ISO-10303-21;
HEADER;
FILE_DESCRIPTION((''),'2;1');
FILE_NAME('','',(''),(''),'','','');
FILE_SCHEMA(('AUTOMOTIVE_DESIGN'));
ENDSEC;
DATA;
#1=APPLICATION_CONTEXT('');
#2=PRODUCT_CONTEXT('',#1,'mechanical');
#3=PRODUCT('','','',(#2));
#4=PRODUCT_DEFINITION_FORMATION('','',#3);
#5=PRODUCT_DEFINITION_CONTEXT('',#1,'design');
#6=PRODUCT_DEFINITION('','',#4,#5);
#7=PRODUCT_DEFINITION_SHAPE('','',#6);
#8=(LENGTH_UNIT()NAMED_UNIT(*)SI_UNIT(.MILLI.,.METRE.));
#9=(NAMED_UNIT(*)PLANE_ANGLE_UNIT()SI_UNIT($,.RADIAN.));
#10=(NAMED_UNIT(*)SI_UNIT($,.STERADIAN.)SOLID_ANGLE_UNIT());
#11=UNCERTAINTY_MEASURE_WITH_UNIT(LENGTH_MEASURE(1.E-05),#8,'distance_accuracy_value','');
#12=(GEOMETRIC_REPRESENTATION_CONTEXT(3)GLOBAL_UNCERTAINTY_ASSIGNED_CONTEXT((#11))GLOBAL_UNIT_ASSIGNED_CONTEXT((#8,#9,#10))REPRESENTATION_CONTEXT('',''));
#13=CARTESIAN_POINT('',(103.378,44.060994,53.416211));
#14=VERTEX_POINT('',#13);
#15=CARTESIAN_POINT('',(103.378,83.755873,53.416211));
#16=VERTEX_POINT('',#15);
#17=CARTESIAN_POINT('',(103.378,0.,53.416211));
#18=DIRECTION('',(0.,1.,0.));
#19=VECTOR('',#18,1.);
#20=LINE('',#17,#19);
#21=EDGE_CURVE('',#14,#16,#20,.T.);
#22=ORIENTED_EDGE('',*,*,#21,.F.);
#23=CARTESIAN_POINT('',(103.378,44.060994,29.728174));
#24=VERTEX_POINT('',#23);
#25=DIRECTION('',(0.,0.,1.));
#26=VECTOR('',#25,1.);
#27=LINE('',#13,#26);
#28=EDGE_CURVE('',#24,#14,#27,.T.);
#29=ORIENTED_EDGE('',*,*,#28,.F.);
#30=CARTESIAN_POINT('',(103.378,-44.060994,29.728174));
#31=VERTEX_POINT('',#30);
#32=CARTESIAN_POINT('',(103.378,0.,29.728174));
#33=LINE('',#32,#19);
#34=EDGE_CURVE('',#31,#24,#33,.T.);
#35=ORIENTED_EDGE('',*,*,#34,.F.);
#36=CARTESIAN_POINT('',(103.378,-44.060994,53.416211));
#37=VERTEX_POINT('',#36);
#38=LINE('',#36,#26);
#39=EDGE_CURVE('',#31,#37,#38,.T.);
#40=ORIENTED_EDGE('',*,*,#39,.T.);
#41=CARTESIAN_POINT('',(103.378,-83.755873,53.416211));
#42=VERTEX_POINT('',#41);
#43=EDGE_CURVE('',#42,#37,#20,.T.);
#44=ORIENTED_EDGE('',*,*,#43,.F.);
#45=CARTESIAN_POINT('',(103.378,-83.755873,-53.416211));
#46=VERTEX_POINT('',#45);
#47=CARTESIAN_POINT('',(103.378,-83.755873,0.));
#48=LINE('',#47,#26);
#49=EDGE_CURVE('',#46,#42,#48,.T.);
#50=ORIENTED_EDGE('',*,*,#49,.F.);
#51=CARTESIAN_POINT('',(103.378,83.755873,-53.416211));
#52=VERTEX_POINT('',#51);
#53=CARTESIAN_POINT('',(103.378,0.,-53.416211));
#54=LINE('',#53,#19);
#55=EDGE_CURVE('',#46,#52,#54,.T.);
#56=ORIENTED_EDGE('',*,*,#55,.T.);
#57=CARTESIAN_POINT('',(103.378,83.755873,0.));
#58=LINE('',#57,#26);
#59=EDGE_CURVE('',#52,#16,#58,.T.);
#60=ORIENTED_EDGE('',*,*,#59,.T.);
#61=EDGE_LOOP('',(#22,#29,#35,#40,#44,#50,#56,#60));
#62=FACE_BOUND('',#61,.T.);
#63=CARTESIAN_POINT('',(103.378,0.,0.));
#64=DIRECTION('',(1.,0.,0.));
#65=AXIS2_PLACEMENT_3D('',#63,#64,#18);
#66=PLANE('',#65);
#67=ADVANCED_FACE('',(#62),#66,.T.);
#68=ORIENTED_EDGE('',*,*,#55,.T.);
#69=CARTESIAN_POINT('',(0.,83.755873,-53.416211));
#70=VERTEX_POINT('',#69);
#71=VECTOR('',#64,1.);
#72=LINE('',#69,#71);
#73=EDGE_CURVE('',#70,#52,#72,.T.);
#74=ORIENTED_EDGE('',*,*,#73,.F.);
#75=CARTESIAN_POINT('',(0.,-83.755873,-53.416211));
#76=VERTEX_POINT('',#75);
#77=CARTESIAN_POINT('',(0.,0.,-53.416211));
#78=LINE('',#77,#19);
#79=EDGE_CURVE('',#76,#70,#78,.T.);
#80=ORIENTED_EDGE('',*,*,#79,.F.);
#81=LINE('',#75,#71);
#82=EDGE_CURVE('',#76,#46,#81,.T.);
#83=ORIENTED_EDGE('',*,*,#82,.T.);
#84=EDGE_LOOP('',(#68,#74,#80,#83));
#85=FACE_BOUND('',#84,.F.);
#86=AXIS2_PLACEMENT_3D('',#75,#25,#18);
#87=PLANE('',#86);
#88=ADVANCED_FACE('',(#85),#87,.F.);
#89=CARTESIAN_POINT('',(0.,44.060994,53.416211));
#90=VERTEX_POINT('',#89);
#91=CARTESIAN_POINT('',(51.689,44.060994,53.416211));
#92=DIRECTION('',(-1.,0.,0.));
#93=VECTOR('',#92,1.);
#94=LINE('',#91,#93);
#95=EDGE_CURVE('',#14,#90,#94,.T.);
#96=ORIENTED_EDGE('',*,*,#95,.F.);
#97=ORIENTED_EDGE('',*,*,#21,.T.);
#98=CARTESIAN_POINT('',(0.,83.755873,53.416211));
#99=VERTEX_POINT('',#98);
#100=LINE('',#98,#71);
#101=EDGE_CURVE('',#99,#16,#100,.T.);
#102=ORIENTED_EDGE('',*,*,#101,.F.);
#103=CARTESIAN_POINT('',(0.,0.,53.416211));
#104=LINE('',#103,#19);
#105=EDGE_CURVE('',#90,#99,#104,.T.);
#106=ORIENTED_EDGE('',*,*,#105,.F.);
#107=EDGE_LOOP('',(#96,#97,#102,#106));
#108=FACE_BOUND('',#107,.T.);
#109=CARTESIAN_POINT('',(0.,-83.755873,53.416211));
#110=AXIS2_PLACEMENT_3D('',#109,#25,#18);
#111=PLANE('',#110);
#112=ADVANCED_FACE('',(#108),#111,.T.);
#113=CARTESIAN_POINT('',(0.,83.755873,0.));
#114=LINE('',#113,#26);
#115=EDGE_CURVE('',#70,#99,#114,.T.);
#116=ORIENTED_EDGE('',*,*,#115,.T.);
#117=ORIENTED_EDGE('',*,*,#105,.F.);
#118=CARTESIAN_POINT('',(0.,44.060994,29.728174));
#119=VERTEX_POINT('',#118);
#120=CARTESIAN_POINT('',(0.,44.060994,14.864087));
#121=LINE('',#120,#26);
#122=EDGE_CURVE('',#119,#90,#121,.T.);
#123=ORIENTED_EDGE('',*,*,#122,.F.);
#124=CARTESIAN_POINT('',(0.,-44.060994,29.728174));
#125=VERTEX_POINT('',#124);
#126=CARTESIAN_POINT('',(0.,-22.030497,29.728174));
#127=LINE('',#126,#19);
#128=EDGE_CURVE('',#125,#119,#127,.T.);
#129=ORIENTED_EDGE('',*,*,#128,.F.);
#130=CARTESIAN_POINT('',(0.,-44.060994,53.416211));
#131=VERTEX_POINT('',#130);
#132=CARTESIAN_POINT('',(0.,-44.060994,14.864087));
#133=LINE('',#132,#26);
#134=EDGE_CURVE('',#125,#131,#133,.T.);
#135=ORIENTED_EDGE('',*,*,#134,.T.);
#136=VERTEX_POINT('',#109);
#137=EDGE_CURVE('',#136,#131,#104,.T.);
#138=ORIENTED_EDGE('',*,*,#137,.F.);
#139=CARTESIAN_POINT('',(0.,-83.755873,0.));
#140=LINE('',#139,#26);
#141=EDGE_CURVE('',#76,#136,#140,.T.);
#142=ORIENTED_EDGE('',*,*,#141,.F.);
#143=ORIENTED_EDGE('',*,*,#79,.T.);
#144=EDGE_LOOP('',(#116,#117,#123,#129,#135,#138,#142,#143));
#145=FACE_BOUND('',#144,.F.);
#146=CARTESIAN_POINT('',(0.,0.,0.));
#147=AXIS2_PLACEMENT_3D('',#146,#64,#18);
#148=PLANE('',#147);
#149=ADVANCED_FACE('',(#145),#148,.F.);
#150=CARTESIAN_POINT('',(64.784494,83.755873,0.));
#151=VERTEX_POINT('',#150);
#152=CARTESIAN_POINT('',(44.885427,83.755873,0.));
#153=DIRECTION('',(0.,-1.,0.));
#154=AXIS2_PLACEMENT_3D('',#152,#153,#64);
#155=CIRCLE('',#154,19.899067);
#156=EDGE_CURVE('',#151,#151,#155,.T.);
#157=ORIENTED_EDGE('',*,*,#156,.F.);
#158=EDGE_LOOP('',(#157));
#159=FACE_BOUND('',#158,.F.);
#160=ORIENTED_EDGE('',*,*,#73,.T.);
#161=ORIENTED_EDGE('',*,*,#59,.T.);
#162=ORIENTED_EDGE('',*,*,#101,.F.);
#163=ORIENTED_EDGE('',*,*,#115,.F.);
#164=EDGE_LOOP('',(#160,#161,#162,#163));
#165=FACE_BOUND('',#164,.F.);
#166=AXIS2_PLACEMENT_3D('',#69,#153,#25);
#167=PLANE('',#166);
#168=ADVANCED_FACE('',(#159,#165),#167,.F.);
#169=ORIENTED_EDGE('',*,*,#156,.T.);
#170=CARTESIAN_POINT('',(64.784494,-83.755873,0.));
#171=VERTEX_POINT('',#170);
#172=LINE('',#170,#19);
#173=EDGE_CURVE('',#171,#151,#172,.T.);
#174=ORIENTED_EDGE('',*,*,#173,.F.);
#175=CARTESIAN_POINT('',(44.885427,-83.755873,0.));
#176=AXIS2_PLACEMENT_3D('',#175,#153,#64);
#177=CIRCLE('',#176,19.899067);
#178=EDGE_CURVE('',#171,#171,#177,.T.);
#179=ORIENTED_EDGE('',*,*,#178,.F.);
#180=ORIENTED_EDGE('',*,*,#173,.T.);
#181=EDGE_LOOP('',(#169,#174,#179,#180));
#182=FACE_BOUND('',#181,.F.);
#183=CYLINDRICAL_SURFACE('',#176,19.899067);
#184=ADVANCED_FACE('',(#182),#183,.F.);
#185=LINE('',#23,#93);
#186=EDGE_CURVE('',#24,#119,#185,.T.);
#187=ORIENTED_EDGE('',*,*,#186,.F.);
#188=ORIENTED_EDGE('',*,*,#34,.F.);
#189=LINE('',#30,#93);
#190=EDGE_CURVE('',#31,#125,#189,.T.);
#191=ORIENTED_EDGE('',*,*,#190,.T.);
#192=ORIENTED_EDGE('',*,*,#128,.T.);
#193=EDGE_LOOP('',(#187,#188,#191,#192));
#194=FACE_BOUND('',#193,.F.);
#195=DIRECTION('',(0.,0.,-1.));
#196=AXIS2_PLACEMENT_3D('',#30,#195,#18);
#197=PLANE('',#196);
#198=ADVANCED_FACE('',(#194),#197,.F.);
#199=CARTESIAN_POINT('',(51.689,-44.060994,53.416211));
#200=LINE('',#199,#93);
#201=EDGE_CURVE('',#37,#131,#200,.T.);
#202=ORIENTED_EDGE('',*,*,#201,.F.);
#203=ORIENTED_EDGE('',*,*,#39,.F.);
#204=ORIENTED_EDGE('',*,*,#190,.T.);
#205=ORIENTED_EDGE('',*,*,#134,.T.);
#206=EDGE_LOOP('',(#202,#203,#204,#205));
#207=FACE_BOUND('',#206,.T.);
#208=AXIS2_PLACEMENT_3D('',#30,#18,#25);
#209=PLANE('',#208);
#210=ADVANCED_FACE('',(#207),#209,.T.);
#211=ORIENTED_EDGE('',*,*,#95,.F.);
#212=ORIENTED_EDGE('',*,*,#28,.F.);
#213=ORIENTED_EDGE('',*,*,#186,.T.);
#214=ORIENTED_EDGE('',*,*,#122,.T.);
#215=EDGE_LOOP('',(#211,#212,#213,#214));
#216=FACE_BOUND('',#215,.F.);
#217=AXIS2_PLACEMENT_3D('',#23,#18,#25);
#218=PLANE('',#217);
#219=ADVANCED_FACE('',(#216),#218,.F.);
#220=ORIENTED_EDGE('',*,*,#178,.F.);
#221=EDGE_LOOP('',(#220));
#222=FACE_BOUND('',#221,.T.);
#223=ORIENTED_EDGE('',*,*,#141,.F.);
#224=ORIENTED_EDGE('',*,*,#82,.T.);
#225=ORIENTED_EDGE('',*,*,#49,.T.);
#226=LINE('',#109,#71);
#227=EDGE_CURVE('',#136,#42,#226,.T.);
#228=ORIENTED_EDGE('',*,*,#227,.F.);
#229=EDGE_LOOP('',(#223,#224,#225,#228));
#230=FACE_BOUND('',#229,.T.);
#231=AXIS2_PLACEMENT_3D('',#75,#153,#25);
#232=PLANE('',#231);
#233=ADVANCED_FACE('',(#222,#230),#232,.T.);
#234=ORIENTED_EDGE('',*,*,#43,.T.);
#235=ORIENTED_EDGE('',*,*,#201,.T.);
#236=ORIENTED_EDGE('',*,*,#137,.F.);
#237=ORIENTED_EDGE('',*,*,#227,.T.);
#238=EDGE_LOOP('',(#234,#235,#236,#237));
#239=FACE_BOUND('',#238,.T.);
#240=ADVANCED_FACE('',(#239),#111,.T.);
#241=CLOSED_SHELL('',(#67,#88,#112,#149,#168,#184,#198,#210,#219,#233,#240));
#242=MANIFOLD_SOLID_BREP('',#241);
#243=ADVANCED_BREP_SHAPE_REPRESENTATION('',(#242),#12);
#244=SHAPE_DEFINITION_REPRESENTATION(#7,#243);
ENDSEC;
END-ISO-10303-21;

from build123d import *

# Parameters (mm, degrees)
F0_W     = 167.511746
F0_H     = 106.832422
F1_DEPTH = 103.378
F2_R     = 19.899067
F3_DEPTH = 229.362
F4_W     = 88.121988
F4_H     = 47.376074
F5_DEPTH = 133.096


with BuildPart() as f1:
    # F0 (on Right) → F1 (new body)
    with BuildSketch(Plane.YZ):
        Rectangle(F0_W, F0_H)
    extrude(amount=F1_DEPTH)

    # F2 (on face) → F3 (cut)
    with BuildSketch(Plane.XZ.offset(83.755873)):
        with Locations((44.885427, 0)):
            Circle(F2_R)
    extrude(amount=-F3_DEPTH, mode=Mode.SUBTRACT)

    # F4 (on face) → F5 (cut)
    with BuildSketch(Plane.YZ.offset(103.378)):
        with Locations((0, 53.416211)):
            Rectangle(F4_W, F4_H)
    extrude(amount=-F5_DEPTH, mode=Mode.SUBTRACT)


solid = f1.part
